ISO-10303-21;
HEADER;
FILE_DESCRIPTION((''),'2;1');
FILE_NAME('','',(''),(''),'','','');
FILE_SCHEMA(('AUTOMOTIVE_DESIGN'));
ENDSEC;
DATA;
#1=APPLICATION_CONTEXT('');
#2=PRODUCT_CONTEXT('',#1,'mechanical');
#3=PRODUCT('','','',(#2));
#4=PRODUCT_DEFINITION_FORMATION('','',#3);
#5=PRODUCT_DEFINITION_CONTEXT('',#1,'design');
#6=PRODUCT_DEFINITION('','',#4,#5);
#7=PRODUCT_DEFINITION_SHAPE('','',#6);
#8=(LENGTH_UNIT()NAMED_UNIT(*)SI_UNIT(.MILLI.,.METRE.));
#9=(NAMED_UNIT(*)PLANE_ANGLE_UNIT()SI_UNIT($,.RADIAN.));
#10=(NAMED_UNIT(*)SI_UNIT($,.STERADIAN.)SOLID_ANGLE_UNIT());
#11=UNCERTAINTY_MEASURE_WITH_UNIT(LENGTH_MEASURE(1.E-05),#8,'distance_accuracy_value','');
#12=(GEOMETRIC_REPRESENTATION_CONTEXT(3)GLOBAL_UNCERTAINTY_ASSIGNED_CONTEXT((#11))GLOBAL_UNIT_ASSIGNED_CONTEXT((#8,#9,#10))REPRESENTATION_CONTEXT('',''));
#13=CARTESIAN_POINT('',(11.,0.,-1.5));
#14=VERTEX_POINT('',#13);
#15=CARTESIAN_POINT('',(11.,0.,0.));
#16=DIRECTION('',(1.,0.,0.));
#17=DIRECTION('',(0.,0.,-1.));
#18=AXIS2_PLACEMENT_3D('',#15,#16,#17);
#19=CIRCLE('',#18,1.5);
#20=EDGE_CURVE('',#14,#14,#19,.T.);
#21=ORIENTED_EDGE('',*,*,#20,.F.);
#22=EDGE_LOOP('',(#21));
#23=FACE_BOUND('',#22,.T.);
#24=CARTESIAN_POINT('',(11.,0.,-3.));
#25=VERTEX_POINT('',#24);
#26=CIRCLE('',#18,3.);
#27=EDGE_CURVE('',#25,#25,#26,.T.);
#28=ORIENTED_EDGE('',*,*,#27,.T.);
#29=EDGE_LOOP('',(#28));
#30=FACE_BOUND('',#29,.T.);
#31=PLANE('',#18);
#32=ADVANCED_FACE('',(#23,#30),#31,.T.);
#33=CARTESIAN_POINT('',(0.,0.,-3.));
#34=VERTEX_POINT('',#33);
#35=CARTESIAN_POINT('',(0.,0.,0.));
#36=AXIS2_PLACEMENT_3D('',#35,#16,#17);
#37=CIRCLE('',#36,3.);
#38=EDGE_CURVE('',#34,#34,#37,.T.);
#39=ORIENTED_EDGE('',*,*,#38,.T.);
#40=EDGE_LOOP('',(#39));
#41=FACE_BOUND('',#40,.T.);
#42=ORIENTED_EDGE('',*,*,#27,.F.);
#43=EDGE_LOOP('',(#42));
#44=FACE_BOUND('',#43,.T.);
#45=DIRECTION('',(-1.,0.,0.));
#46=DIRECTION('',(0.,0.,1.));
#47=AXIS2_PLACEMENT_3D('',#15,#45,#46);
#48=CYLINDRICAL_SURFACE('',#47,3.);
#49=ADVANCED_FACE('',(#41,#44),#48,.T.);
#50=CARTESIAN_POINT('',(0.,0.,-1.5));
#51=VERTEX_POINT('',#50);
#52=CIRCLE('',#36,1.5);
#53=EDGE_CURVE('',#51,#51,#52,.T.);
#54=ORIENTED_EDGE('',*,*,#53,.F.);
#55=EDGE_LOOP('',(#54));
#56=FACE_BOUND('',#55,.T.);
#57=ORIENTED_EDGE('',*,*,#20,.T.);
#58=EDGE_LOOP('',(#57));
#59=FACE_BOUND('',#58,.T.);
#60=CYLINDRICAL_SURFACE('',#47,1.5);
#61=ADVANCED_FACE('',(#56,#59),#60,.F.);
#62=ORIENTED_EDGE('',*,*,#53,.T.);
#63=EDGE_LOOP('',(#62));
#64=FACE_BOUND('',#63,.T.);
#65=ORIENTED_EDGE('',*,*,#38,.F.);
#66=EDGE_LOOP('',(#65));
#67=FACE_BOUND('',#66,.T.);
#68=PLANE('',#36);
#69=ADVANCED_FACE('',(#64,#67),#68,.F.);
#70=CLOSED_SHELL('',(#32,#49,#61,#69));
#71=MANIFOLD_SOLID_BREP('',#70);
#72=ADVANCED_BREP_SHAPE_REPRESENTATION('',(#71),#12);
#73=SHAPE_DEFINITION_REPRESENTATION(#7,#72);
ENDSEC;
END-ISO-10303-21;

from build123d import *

# Parameters (mm, degrees)
SKETCH_1_R      = 3
SKETCH_1_R_2    = 1.5
EXTRUDE_1_DEPTH = 11


with BuildPart() as part:
    # 草图1 → 凸台-拉伸1 (new body)
    with BuildSketch(Plane(origin=(0, 0, 0), x_dir=(0, 0, -1), z_dir=(1, 0, 0))):
        Circle(SKETCH_1_R)
        Circle(SKETCH_1_R_2, mode=Mode.SUBTRACT)
    extrude(amount=EXTRUDE_1_DEPTH)


solid = part.part
